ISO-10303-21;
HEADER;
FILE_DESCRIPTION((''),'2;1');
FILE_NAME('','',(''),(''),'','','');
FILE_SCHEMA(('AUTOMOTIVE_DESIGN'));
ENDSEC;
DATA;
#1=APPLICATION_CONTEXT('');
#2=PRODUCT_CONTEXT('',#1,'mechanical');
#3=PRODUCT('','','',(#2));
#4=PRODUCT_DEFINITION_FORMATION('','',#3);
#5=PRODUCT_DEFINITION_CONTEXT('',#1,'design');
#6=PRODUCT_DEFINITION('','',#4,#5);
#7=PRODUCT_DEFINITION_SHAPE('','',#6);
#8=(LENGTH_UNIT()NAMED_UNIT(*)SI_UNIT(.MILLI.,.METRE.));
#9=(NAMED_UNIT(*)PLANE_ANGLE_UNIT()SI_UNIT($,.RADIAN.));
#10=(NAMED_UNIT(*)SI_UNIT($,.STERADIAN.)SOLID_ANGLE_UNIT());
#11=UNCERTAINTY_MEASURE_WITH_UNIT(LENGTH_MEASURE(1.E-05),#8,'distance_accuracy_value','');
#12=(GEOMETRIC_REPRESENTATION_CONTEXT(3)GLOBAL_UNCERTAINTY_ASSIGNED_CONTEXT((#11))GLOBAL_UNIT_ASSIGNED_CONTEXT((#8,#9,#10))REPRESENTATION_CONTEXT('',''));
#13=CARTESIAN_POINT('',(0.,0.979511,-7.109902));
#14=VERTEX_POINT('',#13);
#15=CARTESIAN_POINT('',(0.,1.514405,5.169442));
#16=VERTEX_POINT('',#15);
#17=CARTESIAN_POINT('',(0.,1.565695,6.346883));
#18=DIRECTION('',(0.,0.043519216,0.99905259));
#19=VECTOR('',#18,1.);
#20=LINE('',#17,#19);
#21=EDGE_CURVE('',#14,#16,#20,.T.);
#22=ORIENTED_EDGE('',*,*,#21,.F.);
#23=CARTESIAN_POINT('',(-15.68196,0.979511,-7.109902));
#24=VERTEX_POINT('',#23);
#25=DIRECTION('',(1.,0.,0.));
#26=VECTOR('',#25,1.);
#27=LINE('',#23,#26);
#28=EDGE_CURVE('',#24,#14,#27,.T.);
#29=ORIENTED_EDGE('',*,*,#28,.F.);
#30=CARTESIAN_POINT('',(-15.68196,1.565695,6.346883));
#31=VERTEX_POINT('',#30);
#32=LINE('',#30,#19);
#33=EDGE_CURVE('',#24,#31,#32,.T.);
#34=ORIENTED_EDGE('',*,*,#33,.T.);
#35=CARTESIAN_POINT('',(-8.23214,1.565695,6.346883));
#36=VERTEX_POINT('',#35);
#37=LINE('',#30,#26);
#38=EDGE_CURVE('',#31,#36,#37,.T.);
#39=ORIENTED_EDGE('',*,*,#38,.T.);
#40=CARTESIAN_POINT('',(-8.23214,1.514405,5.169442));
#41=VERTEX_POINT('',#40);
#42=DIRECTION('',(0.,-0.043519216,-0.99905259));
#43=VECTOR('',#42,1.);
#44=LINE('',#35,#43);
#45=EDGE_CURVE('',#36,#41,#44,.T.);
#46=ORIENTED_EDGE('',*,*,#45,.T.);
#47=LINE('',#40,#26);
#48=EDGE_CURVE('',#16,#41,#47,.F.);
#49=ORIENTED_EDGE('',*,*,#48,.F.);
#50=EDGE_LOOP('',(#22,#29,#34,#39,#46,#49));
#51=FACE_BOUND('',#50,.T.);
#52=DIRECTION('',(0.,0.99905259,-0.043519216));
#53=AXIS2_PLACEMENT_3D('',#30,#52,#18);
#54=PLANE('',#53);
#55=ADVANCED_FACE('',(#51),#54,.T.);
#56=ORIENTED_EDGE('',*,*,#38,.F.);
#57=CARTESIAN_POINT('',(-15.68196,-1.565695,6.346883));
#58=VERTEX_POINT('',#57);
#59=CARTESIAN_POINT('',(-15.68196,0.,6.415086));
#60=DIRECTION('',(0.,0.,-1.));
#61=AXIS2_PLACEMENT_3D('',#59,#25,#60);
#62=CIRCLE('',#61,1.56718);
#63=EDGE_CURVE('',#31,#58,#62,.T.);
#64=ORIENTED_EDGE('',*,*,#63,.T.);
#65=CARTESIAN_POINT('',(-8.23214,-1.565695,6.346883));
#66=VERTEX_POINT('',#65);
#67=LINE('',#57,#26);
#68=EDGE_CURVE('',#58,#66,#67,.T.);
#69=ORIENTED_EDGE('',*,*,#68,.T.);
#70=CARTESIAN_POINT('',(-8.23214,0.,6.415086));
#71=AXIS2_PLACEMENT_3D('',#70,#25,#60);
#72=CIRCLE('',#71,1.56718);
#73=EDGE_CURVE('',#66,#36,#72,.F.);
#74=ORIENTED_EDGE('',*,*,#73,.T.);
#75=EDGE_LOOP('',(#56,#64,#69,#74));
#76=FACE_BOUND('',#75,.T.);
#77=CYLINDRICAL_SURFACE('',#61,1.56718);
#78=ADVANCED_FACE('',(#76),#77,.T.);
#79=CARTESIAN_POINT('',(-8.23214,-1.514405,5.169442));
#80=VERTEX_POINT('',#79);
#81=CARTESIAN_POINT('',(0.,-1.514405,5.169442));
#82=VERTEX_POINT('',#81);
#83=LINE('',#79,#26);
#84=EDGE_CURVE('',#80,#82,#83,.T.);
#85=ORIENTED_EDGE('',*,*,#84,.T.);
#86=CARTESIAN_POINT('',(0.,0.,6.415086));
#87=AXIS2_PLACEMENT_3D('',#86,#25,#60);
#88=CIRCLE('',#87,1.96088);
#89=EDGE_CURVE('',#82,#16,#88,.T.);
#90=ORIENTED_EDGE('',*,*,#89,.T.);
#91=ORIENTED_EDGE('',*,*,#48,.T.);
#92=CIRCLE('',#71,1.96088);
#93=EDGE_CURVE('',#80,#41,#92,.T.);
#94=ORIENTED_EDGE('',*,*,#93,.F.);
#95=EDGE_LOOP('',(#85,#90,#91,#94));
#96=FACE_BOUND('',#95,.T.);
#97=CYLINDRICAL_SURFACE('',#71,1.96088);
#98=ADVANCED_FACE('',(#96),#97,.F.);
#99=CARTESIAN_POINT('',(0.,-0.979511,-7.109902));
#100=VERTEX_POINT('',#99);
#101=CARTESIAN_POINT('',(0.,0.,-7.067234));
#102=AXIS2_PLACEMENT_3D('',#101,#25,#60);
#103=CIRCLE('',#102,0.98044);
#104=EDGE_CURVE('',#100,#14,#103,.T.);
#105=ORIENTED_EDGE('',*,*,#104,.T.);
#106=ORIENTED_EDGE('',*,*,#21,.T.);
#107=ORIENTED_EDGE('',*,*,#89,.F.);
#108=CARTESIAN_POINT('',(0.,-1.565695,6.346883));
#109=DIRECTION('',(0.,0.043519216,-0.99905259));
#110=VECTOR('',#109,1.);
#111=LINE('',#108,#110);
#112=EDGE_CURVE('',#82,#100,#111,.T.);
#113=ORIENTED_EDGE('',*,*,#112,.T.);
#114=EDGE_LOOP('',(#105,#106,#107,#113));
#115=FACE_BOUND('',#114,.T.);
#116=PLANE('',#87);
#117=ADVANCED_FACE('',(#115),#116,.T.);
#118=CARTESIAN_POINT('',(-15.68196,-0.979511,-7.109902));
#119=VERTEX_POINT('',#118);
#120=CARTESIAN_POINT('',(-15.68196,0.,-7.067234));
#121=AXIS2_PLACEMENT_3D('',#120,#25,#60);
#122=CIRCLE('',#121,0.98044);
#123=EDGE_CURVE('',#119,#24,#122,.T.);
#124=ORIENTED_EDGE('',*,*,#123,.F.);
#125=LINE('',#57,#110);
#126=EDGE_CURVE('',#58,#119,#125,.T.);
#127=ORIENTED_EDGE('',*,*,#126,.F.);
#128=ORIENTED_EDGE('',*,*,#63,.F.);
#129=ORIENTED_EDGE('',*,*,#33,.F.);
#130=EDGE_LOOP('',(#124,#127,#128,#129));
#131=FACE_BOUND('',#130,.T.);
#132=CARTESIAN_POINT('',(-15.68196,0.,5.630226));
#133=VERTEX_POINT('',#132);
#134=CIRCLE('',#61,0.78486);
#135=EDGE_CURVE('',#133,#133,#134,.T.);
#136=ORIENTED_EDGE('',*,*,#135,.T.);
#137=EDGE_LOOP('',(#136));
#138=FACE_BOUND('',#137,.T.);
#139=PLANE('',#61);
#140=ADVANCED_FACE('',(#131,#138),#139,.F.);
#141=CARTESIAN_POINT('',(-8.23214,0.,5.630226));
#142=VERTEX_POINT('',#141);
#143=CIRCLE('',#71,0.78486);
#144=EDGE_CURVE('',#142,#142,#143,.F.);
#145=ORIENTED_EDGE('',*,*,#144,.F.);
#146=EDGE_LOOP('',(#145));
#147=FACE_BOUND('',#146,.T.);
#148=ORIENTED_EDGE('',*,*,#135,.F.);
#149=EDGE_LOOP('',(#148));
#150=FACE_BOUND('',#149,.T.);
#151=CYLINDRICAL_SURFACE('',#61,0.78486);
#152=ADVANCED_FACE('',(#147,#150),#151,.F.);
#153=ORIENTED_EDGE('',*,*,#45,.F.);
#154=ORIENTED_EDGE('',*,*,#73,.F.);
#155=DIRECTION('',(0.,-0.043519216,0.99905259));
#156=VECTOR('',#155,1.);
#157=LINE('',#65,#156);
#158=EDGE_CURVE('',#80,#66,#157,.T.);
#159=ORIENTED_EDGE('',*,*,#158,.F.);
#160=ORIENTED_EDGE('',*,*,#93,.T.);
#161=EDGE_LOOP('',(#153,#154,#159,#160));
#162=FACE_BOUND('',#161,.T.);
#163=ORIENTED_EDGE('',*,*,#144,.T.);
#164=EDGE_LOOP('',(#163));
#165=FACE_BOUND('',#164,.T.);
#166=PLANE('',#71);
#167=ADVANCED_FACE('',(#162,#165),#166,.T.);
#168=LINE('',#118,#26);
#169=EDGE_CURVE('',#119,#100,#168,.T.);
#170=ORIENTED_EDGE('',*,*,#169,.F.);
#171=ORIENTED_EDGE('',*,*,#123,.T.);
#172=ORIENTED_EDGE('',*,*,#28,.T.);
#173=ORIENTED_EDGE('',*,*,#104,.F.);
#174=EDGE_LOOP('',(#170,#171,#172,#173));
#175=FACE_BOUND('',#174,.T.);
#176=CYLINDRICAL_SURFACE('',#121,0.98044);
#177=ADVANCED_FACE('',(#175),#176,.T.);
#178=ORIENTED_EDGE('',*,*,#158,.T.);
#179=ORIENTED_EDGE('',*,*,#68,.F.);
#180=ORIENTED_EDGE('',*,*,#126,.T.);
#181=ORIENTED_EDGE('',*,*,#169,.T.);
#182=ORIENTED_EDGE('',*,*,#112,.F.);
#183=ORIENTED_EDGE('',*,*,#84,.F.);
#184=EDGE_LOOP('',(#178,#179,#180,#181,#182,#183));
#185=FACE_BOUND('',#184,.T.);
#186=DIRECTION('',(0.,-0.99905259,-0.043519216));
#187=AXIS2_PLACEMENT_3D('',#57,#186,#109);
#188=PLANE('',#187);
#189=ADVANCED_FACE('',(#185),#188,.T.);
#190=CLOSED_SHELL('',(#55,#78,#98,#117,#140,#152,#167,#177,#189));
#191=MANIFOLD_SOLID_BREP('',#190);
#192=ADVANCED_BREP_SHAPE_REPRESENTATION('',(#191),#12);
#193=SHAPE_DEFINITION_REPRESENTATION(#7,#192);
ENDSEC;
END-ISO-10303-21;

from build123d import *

# Parameters (mm, degrees)
SKETCH1_R           = 0.78486
BOSS_EXTRUDE1_DEPTH = 15.68196
SKETCH2_R           = 1.96088
CUT_EXTRUDE1_DEPTH  = 8.23214


with BuildPart() as part:
    # Sketch1 → Boss-Extrude1 (new body)
    with BuildSketch(Plane(origin=(0, 0, 0), x_dir=(0, 0, -1), z_dir=(1, 0, 0))):
        with BuildLine():
            Line((-6.346883091, -1.565695238), (7.109902444, -0.979511121))
            ThreePointArc((7.109902444, -0.979511121), (8.047674463, 0), (7.109902444, 0.979511121))
            Line((7.109902444, 0.979511121), (-6.346883091, 1.565695238))
            ThreePointArc((-6.346883091, 1.565695238), (-7.982265537, 0), (-6.346883091, -1.565695238))
        make_face()
        with Locations((-6.415085537, 0)):
            Circle(SKETCH1_R, mode=Mode.SUBTRACT)
    extrude(amount=-BOSS_EXTRUDE1_DEPTH)

    # Sketch2 → Cut-Extrude1 (cut)
    with BuildSketch(Plane(origin=(0, 0, 0), x_dir=(0, 0, -1), z_dir=(1, 0, 0))):
        with Locations((-6.415085537, 0)):
            Circle(SKETCH2_R)
    extrude(amount=-CUT_EXTRUDE1_DEPTH, mode=Mode.SUBTRACT)


solid = part.part
